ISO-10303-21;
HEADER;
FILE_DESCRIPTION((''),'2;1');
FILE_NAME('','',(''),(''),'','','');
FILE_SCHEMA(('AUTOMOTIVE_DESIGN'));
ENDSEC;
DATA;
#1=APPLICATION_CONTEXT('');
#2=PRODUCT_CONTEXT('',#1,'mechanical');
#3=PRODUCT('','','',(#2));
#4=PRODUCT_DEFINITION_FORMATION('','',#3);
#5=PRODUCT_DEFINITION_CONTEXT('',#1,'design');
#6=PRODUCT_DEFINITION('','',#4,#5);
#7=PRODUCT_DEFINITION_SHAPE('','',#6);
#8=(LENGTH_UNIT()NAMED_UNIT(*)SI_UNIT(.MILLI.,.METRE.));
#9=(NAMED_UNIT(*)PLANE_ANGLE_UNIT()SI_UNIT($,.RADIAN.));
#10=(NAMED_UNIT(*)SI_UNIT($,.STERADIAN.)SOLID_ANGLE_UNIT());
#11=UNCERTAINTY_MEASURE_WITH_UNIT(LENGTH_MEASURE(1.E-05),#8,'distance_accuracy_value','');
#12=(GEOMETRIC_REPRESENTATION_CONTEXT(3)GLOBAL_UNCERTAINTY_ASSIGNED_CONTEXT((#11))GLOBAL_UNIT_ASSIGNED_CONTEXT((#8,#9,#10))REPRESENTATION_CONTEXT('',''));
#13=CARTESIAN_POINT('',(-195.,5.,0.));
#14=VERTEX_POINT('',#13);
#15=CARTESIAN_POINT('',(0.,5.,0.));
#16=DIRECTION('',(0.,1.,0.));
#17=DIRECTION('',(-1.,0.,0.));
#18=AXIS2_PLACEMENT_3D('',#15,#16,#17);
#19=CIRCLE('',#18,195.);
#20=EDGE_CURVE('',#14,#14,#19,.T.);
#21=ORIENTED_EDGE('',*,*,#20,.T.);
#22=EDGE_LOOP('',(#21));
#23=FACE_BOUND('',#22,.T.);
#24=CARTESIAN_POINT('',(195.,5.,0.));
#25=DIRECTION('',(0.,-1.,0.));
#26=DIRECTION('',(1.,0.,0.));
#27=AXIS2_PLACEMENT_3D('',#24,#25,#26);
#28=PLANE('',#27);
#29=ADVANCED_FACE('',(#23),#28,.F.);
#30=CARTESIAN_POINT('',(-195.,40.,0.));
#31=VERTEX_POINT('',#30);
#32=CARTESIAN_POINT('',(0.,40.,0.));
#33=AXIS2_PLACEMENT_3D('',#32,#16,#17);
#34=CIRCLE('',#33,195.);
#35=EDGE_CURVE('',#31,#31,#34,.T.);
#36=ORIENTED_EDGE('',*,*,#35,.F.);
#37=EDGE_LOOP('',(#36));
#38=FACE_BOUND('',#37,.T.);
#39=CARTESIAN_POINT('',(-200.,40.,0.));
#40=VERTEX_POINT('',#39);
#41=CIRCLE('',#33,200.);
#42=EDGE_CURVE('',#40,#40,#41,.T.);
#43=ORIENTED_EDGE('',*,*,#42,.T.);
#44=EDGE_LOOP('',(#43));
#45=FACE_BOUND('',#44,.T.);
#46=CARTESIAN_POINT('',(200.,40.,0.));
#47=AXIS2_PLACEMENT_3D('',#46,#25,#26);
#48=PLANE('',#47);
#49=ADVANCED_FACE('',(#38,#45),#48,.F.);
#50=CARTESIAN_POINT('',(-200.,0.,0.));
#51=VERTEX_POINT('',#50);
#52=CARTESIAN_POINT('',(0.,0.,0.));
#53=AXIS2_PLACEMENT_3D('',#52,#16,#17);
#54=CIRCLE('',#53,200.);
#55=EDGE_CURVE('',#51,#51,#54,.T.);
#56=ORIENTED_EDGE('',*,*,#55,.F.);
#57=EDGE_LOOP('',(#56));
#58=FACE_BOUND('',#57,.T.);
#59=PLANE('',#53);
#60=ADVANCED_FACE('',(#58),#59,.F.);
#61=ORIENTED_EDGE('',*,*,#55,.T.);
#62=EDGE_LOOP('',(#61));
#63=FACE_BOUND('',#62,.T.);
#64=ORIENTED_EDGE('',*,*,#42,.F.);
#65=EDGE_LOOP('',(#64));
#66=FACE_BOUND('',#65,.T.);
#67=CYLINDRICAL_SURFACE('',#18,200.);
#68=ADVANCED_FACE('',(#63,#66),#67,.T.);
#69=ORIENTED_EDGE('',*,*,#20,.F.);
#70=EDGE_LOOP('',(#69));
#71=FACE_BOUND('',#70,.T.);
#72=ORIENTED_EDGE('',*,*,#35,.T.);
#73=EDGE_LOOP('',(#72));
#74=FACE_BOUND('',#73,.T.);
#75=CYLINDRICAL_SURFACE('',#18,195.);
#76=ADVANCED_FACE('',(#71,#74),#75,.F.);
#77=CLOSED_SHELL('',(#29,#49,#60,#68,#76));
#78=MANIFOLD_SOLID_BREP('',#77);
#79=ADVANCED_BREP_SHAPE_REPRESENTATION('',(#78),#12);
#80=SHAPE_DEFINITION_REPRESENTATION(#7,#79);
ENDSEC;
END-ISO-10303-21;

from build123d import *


with BuildPart() as part:
    # Sketch1 → Revolve1 (revolve)
    with BuildSketch(Plane.XY, mode=Mode.PRIVATE) as revolve1_sk:
        Polygon((0, 0), (200, 0), (200, 40), (195, 40), (195, 5), (0, 5), align=None)
    revolve(revolve1_sk.sketch.rotate(Axis((0, 5, 0), (0, -1, 0)), 180), axis=Axis((0, 5, 0), (0, -1, 0)))


solid = part.part
